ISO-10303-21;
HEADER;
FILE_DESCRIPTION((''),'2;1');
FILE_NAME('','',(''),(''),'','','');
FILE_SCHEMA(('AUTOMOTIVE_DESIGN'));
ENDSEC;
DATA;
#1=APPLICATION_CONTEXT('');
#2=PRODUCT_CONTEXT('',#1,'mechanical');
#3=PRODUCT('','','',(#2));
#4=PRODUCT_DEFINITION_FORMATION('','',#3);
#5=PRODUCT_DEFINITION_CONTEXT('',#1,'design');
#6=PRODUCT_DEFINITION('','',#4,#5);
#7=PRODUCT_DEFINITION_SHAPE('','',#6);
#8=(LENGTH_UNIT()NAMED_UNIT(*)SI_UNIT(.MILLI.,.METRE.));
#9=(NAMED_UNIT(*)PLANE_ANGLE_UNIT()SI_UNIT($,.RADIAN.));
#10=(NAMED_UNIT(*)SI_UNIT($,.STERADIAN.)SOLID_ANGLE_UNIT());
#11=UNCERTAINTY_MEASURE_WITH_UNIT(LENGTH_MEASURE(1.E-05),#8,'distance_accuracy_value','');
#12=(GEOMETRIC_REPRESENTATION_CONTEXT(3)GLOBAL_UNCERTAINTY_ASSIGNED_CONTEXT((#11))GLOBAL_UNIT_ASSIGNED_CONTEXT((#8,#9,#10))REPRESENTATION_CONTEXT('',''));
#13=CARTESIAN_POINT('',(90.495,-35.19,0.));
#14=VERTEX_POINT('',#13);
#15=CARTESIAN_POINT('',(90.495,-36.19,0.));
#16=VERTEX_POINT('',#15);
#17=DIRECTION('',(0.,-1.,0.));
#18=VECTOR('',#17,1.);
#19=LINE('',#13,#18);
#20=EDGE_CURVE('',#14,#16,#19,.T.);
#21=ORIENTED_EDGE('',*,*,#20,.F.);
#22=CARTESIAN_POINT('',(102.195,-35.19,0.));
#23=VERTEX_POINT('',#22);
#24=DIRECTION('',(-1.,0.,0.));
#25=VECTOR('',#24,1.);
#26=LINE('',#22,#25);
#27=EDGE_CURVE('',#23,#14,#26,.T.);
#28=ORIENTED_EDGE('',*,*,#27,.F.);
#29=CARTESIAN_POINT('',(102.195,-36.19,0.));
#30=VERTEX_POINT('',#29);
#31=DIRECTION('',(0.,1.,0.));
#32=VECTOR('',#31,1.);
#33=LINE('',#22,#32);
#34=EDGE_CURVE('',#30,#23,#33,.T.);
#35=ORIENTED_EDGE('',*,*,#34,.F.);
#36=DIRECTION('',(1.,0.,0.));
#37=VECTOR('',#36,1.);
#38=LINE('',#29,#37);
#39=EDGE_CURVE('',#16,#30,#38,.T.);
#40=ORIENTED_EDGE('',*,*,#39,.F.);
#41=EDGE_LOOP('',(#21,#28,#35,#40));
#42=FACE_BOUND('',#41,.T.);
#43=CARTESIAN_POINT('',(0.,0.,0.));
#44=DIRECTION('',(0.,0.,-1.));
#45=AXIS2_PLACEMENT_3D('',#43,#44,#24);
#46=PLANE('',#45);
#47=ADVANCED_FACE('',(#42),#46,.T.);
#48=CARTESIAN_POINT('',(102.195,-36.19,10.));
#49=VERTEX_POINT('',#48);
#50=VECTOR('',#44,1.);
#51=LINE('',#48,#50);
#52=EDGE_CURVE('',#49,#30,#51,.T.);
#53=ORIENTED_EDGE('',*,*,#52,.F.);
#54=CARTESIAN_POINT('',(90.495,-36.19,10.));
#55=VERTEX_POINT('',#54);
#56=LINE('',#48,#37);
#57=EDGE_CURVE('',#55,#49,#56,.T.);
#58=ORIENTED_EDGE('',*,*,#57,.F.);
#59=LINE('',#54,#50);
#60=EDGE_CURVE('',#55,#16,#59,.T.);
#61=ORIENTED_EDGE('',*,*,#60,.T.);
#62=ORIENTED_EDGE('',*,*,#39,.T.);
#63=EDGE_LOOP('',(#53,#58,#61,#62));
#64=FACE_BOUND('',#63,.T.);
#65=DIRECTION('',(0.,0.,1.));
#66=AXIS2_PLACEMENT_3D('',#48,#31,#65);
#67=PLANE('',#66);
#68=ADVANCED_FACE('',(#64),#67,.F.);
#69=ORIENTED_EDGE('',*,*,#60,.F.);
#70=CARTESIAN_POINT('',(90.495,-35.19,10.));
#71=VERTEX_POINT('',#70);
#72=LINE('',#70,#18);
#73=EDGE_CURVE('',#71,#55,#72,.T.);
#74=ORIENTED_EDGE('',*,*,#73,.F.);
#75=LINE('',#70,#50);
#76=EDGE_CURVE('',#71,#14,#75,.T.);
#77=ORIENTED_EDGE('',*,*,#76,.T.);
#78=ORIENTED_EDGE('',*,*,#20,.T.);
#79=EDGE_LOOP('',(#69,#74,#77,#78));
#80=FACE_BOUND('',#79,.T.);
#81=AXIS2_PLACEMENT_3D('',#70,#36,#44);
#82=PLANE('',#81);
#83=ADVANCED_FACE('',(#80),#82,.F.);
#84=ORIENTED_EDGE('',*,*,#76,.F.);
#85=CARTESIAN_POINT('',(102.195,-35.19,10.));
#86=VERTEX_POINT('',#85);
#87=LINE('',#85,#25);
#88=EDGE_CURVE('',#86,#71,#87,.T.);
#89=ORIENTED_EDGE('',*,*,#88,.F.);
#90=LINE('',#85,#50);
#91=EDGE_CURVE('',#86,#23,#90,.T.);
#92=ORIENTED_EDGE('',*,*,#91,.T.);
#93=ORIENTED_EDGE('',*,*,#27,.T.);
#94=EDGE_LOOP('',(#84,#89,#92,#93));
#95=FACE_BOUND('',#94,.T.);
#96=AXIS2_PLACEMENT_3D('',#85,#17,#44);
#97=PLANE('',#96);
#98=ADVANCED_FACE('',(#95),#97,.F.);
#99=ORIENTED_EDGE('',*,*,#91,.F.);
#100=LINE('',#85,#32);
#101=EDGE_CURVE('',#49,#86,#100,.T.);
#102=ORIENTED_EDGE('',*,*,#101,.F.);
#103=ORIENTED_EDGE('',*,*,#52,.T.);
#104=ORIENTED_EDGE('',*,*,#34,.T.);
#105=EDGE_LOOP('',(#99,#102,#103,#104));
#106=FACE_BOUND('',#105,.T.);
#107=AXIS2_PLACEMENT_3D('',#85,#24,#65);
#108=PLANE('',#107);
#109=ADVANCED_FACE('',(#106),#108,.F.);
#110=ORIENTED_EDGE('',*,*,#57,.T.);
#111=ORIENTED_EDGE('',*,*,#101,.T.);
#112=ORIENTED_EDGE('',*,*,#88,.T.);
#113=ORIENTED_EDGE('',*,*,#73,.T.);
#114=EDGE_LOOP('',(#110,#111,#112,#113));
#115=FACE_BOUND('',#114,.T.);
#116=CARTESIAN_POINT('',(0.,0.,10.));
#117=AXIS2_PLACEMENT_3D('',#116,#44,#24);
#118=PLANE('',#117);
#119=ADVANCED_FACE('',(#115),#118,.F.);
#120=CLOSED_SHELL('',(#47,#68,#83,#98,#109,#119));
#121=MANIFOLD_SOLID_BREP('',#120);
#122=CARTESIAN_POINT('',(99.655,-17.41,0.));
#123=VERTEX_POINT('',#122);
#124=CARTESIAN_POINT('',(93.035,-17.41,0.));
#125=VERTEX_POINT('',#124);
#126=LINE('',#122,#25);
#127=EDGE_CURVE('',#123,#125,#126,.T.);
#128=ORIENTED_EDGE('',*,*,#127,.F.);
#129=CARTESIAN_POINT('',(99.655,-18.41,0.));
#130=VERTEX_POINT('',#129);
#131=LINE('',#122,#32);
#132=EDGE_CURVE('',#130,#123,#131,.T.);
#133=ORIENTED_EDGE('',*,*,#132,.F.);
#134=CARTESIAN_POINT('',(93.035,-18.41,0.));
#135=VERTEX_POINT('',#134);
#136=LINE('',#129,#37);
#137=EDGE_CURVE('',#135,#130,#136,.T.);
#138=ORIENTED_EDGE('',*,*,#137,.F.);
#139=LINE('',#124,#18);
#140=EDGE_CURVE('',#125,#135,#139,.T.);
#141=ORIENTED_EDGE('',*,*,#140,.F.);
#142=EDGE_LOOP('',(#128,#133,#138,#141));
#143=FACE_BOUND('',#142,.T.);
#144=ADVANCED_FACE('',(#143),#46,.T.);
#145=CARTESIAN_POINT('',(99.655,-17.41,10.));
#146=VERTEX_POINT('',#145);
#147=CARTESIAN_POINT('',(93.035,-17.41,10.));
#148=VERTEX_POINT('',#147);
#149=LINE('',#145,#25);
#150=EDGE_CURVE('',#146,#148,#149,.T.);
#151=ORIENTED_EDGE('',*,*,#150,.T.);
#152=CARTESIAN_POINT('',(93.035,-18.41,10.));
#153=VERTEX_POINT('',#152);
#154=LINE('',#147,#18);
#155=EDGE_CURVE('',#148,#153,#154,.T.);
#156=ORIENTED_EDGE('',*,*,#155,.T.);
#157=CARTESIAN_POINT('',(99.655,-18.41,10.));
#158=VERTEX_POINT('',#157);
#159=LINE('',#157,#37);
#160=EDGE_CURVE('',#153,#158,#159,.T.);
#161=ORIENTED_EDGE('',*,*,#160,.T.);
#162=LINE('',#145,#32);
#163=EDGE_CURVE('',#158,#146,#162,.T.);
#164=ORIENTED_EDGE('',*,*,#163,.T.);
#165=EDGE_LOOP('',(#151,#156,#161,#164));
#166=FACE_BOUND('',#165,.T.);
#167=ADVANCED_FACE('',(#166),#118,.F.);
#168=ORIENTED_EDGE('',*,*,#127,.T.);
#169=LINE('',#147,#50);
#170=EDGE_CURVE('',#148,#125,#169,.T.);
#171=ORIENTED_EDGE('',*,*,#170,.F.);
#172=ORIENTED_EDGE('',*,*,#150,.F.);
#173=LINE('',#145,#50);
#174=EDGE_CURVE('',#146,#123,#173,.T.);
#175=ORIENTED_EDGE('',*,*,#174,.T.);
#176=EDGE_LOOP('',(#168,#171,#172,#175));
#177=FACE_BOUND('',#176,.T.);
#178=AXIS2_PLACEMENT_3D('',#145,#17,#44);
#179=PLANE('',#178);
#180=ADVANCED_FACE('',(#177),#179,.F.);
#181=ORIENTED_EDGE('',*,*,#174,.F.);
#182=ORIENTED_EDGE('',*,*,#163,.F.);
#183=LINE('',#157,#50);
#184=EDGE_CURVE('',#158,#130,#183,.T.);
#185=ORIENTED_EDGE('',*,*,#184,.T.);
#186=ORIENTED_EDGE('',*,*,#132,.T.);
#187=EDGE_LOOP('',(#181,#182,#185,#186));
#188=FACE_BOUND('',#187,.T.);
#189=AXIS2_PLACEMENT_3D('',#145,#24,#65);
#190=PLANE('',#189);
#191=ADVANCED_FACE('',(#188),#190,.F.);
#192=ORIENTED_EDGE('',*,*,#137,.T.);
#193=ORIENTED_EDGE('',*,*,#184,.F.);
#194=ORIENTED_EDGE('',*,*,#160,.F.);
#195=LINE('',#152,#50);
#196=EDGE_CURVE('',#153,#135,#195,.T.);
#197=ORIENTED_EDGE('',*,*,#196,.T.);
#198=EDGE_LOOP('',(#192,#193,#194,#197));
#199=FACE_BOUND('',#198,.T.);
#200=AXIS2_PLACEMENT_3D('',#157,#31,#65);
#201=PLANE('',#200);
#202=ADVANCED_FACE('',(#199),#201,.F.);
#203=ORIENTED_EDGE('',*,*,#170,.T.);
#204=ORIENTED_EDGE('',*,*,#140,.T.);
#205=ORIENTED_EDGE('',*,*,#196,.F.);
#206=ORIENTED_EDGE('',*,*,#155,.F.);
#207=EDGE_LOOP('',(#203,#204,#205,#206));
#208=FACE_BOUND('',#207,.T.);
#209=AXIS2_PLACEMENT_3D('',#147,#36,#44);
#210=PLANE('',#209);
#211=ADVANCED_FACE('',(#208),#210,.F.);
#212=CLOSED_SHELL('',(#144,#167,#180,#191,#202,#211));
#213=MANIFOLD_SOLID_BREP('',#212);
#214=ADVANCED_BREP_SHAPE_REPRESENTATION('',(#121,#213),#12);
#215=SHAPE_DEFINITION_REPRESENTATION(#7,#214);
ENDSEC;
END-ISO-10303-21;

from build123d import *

# Parameters (mm, degrees)
SKIZZE1_W                         = 11.7
SKIZZE1_H                         = 1
AUFSATZ_LINEAR_AUSTRAGEN1_DEPTH   = 10
SKIZZE1_W_2                       = 6.62
AUFSATZ_LINEAR_AUSTRAGEN1_2_DEPTH = 10


with BuildPart() as part:
    # Skizze1 → Aufsatz-Linear austragen1 (new body)
    with BuildSketch(Plane.XY):
        with Locations((96.345, -35.69)):
            Rectangle(SKIZZE1_W, SKIZZE1_H)
    extrude(amount=AUFSATZ_LINEAR_AUSTRAGEN1_DEPTH)


with BuildPart() as body_2:
    # Skizze1 → Aufsatz-Linear austragen1 2 (new body)
    with BuildSketch(Plane.XY):
        with Locations((96.345, -17.91)):
            Rectangle(SKIZZE1_W_2, SKIZZE1_H)
    extrude(amount=AUFSATZ_LINEAR_AUSTRAGEN1_2_DEPTH)


solid = Compound([part.part, body_2.part])
